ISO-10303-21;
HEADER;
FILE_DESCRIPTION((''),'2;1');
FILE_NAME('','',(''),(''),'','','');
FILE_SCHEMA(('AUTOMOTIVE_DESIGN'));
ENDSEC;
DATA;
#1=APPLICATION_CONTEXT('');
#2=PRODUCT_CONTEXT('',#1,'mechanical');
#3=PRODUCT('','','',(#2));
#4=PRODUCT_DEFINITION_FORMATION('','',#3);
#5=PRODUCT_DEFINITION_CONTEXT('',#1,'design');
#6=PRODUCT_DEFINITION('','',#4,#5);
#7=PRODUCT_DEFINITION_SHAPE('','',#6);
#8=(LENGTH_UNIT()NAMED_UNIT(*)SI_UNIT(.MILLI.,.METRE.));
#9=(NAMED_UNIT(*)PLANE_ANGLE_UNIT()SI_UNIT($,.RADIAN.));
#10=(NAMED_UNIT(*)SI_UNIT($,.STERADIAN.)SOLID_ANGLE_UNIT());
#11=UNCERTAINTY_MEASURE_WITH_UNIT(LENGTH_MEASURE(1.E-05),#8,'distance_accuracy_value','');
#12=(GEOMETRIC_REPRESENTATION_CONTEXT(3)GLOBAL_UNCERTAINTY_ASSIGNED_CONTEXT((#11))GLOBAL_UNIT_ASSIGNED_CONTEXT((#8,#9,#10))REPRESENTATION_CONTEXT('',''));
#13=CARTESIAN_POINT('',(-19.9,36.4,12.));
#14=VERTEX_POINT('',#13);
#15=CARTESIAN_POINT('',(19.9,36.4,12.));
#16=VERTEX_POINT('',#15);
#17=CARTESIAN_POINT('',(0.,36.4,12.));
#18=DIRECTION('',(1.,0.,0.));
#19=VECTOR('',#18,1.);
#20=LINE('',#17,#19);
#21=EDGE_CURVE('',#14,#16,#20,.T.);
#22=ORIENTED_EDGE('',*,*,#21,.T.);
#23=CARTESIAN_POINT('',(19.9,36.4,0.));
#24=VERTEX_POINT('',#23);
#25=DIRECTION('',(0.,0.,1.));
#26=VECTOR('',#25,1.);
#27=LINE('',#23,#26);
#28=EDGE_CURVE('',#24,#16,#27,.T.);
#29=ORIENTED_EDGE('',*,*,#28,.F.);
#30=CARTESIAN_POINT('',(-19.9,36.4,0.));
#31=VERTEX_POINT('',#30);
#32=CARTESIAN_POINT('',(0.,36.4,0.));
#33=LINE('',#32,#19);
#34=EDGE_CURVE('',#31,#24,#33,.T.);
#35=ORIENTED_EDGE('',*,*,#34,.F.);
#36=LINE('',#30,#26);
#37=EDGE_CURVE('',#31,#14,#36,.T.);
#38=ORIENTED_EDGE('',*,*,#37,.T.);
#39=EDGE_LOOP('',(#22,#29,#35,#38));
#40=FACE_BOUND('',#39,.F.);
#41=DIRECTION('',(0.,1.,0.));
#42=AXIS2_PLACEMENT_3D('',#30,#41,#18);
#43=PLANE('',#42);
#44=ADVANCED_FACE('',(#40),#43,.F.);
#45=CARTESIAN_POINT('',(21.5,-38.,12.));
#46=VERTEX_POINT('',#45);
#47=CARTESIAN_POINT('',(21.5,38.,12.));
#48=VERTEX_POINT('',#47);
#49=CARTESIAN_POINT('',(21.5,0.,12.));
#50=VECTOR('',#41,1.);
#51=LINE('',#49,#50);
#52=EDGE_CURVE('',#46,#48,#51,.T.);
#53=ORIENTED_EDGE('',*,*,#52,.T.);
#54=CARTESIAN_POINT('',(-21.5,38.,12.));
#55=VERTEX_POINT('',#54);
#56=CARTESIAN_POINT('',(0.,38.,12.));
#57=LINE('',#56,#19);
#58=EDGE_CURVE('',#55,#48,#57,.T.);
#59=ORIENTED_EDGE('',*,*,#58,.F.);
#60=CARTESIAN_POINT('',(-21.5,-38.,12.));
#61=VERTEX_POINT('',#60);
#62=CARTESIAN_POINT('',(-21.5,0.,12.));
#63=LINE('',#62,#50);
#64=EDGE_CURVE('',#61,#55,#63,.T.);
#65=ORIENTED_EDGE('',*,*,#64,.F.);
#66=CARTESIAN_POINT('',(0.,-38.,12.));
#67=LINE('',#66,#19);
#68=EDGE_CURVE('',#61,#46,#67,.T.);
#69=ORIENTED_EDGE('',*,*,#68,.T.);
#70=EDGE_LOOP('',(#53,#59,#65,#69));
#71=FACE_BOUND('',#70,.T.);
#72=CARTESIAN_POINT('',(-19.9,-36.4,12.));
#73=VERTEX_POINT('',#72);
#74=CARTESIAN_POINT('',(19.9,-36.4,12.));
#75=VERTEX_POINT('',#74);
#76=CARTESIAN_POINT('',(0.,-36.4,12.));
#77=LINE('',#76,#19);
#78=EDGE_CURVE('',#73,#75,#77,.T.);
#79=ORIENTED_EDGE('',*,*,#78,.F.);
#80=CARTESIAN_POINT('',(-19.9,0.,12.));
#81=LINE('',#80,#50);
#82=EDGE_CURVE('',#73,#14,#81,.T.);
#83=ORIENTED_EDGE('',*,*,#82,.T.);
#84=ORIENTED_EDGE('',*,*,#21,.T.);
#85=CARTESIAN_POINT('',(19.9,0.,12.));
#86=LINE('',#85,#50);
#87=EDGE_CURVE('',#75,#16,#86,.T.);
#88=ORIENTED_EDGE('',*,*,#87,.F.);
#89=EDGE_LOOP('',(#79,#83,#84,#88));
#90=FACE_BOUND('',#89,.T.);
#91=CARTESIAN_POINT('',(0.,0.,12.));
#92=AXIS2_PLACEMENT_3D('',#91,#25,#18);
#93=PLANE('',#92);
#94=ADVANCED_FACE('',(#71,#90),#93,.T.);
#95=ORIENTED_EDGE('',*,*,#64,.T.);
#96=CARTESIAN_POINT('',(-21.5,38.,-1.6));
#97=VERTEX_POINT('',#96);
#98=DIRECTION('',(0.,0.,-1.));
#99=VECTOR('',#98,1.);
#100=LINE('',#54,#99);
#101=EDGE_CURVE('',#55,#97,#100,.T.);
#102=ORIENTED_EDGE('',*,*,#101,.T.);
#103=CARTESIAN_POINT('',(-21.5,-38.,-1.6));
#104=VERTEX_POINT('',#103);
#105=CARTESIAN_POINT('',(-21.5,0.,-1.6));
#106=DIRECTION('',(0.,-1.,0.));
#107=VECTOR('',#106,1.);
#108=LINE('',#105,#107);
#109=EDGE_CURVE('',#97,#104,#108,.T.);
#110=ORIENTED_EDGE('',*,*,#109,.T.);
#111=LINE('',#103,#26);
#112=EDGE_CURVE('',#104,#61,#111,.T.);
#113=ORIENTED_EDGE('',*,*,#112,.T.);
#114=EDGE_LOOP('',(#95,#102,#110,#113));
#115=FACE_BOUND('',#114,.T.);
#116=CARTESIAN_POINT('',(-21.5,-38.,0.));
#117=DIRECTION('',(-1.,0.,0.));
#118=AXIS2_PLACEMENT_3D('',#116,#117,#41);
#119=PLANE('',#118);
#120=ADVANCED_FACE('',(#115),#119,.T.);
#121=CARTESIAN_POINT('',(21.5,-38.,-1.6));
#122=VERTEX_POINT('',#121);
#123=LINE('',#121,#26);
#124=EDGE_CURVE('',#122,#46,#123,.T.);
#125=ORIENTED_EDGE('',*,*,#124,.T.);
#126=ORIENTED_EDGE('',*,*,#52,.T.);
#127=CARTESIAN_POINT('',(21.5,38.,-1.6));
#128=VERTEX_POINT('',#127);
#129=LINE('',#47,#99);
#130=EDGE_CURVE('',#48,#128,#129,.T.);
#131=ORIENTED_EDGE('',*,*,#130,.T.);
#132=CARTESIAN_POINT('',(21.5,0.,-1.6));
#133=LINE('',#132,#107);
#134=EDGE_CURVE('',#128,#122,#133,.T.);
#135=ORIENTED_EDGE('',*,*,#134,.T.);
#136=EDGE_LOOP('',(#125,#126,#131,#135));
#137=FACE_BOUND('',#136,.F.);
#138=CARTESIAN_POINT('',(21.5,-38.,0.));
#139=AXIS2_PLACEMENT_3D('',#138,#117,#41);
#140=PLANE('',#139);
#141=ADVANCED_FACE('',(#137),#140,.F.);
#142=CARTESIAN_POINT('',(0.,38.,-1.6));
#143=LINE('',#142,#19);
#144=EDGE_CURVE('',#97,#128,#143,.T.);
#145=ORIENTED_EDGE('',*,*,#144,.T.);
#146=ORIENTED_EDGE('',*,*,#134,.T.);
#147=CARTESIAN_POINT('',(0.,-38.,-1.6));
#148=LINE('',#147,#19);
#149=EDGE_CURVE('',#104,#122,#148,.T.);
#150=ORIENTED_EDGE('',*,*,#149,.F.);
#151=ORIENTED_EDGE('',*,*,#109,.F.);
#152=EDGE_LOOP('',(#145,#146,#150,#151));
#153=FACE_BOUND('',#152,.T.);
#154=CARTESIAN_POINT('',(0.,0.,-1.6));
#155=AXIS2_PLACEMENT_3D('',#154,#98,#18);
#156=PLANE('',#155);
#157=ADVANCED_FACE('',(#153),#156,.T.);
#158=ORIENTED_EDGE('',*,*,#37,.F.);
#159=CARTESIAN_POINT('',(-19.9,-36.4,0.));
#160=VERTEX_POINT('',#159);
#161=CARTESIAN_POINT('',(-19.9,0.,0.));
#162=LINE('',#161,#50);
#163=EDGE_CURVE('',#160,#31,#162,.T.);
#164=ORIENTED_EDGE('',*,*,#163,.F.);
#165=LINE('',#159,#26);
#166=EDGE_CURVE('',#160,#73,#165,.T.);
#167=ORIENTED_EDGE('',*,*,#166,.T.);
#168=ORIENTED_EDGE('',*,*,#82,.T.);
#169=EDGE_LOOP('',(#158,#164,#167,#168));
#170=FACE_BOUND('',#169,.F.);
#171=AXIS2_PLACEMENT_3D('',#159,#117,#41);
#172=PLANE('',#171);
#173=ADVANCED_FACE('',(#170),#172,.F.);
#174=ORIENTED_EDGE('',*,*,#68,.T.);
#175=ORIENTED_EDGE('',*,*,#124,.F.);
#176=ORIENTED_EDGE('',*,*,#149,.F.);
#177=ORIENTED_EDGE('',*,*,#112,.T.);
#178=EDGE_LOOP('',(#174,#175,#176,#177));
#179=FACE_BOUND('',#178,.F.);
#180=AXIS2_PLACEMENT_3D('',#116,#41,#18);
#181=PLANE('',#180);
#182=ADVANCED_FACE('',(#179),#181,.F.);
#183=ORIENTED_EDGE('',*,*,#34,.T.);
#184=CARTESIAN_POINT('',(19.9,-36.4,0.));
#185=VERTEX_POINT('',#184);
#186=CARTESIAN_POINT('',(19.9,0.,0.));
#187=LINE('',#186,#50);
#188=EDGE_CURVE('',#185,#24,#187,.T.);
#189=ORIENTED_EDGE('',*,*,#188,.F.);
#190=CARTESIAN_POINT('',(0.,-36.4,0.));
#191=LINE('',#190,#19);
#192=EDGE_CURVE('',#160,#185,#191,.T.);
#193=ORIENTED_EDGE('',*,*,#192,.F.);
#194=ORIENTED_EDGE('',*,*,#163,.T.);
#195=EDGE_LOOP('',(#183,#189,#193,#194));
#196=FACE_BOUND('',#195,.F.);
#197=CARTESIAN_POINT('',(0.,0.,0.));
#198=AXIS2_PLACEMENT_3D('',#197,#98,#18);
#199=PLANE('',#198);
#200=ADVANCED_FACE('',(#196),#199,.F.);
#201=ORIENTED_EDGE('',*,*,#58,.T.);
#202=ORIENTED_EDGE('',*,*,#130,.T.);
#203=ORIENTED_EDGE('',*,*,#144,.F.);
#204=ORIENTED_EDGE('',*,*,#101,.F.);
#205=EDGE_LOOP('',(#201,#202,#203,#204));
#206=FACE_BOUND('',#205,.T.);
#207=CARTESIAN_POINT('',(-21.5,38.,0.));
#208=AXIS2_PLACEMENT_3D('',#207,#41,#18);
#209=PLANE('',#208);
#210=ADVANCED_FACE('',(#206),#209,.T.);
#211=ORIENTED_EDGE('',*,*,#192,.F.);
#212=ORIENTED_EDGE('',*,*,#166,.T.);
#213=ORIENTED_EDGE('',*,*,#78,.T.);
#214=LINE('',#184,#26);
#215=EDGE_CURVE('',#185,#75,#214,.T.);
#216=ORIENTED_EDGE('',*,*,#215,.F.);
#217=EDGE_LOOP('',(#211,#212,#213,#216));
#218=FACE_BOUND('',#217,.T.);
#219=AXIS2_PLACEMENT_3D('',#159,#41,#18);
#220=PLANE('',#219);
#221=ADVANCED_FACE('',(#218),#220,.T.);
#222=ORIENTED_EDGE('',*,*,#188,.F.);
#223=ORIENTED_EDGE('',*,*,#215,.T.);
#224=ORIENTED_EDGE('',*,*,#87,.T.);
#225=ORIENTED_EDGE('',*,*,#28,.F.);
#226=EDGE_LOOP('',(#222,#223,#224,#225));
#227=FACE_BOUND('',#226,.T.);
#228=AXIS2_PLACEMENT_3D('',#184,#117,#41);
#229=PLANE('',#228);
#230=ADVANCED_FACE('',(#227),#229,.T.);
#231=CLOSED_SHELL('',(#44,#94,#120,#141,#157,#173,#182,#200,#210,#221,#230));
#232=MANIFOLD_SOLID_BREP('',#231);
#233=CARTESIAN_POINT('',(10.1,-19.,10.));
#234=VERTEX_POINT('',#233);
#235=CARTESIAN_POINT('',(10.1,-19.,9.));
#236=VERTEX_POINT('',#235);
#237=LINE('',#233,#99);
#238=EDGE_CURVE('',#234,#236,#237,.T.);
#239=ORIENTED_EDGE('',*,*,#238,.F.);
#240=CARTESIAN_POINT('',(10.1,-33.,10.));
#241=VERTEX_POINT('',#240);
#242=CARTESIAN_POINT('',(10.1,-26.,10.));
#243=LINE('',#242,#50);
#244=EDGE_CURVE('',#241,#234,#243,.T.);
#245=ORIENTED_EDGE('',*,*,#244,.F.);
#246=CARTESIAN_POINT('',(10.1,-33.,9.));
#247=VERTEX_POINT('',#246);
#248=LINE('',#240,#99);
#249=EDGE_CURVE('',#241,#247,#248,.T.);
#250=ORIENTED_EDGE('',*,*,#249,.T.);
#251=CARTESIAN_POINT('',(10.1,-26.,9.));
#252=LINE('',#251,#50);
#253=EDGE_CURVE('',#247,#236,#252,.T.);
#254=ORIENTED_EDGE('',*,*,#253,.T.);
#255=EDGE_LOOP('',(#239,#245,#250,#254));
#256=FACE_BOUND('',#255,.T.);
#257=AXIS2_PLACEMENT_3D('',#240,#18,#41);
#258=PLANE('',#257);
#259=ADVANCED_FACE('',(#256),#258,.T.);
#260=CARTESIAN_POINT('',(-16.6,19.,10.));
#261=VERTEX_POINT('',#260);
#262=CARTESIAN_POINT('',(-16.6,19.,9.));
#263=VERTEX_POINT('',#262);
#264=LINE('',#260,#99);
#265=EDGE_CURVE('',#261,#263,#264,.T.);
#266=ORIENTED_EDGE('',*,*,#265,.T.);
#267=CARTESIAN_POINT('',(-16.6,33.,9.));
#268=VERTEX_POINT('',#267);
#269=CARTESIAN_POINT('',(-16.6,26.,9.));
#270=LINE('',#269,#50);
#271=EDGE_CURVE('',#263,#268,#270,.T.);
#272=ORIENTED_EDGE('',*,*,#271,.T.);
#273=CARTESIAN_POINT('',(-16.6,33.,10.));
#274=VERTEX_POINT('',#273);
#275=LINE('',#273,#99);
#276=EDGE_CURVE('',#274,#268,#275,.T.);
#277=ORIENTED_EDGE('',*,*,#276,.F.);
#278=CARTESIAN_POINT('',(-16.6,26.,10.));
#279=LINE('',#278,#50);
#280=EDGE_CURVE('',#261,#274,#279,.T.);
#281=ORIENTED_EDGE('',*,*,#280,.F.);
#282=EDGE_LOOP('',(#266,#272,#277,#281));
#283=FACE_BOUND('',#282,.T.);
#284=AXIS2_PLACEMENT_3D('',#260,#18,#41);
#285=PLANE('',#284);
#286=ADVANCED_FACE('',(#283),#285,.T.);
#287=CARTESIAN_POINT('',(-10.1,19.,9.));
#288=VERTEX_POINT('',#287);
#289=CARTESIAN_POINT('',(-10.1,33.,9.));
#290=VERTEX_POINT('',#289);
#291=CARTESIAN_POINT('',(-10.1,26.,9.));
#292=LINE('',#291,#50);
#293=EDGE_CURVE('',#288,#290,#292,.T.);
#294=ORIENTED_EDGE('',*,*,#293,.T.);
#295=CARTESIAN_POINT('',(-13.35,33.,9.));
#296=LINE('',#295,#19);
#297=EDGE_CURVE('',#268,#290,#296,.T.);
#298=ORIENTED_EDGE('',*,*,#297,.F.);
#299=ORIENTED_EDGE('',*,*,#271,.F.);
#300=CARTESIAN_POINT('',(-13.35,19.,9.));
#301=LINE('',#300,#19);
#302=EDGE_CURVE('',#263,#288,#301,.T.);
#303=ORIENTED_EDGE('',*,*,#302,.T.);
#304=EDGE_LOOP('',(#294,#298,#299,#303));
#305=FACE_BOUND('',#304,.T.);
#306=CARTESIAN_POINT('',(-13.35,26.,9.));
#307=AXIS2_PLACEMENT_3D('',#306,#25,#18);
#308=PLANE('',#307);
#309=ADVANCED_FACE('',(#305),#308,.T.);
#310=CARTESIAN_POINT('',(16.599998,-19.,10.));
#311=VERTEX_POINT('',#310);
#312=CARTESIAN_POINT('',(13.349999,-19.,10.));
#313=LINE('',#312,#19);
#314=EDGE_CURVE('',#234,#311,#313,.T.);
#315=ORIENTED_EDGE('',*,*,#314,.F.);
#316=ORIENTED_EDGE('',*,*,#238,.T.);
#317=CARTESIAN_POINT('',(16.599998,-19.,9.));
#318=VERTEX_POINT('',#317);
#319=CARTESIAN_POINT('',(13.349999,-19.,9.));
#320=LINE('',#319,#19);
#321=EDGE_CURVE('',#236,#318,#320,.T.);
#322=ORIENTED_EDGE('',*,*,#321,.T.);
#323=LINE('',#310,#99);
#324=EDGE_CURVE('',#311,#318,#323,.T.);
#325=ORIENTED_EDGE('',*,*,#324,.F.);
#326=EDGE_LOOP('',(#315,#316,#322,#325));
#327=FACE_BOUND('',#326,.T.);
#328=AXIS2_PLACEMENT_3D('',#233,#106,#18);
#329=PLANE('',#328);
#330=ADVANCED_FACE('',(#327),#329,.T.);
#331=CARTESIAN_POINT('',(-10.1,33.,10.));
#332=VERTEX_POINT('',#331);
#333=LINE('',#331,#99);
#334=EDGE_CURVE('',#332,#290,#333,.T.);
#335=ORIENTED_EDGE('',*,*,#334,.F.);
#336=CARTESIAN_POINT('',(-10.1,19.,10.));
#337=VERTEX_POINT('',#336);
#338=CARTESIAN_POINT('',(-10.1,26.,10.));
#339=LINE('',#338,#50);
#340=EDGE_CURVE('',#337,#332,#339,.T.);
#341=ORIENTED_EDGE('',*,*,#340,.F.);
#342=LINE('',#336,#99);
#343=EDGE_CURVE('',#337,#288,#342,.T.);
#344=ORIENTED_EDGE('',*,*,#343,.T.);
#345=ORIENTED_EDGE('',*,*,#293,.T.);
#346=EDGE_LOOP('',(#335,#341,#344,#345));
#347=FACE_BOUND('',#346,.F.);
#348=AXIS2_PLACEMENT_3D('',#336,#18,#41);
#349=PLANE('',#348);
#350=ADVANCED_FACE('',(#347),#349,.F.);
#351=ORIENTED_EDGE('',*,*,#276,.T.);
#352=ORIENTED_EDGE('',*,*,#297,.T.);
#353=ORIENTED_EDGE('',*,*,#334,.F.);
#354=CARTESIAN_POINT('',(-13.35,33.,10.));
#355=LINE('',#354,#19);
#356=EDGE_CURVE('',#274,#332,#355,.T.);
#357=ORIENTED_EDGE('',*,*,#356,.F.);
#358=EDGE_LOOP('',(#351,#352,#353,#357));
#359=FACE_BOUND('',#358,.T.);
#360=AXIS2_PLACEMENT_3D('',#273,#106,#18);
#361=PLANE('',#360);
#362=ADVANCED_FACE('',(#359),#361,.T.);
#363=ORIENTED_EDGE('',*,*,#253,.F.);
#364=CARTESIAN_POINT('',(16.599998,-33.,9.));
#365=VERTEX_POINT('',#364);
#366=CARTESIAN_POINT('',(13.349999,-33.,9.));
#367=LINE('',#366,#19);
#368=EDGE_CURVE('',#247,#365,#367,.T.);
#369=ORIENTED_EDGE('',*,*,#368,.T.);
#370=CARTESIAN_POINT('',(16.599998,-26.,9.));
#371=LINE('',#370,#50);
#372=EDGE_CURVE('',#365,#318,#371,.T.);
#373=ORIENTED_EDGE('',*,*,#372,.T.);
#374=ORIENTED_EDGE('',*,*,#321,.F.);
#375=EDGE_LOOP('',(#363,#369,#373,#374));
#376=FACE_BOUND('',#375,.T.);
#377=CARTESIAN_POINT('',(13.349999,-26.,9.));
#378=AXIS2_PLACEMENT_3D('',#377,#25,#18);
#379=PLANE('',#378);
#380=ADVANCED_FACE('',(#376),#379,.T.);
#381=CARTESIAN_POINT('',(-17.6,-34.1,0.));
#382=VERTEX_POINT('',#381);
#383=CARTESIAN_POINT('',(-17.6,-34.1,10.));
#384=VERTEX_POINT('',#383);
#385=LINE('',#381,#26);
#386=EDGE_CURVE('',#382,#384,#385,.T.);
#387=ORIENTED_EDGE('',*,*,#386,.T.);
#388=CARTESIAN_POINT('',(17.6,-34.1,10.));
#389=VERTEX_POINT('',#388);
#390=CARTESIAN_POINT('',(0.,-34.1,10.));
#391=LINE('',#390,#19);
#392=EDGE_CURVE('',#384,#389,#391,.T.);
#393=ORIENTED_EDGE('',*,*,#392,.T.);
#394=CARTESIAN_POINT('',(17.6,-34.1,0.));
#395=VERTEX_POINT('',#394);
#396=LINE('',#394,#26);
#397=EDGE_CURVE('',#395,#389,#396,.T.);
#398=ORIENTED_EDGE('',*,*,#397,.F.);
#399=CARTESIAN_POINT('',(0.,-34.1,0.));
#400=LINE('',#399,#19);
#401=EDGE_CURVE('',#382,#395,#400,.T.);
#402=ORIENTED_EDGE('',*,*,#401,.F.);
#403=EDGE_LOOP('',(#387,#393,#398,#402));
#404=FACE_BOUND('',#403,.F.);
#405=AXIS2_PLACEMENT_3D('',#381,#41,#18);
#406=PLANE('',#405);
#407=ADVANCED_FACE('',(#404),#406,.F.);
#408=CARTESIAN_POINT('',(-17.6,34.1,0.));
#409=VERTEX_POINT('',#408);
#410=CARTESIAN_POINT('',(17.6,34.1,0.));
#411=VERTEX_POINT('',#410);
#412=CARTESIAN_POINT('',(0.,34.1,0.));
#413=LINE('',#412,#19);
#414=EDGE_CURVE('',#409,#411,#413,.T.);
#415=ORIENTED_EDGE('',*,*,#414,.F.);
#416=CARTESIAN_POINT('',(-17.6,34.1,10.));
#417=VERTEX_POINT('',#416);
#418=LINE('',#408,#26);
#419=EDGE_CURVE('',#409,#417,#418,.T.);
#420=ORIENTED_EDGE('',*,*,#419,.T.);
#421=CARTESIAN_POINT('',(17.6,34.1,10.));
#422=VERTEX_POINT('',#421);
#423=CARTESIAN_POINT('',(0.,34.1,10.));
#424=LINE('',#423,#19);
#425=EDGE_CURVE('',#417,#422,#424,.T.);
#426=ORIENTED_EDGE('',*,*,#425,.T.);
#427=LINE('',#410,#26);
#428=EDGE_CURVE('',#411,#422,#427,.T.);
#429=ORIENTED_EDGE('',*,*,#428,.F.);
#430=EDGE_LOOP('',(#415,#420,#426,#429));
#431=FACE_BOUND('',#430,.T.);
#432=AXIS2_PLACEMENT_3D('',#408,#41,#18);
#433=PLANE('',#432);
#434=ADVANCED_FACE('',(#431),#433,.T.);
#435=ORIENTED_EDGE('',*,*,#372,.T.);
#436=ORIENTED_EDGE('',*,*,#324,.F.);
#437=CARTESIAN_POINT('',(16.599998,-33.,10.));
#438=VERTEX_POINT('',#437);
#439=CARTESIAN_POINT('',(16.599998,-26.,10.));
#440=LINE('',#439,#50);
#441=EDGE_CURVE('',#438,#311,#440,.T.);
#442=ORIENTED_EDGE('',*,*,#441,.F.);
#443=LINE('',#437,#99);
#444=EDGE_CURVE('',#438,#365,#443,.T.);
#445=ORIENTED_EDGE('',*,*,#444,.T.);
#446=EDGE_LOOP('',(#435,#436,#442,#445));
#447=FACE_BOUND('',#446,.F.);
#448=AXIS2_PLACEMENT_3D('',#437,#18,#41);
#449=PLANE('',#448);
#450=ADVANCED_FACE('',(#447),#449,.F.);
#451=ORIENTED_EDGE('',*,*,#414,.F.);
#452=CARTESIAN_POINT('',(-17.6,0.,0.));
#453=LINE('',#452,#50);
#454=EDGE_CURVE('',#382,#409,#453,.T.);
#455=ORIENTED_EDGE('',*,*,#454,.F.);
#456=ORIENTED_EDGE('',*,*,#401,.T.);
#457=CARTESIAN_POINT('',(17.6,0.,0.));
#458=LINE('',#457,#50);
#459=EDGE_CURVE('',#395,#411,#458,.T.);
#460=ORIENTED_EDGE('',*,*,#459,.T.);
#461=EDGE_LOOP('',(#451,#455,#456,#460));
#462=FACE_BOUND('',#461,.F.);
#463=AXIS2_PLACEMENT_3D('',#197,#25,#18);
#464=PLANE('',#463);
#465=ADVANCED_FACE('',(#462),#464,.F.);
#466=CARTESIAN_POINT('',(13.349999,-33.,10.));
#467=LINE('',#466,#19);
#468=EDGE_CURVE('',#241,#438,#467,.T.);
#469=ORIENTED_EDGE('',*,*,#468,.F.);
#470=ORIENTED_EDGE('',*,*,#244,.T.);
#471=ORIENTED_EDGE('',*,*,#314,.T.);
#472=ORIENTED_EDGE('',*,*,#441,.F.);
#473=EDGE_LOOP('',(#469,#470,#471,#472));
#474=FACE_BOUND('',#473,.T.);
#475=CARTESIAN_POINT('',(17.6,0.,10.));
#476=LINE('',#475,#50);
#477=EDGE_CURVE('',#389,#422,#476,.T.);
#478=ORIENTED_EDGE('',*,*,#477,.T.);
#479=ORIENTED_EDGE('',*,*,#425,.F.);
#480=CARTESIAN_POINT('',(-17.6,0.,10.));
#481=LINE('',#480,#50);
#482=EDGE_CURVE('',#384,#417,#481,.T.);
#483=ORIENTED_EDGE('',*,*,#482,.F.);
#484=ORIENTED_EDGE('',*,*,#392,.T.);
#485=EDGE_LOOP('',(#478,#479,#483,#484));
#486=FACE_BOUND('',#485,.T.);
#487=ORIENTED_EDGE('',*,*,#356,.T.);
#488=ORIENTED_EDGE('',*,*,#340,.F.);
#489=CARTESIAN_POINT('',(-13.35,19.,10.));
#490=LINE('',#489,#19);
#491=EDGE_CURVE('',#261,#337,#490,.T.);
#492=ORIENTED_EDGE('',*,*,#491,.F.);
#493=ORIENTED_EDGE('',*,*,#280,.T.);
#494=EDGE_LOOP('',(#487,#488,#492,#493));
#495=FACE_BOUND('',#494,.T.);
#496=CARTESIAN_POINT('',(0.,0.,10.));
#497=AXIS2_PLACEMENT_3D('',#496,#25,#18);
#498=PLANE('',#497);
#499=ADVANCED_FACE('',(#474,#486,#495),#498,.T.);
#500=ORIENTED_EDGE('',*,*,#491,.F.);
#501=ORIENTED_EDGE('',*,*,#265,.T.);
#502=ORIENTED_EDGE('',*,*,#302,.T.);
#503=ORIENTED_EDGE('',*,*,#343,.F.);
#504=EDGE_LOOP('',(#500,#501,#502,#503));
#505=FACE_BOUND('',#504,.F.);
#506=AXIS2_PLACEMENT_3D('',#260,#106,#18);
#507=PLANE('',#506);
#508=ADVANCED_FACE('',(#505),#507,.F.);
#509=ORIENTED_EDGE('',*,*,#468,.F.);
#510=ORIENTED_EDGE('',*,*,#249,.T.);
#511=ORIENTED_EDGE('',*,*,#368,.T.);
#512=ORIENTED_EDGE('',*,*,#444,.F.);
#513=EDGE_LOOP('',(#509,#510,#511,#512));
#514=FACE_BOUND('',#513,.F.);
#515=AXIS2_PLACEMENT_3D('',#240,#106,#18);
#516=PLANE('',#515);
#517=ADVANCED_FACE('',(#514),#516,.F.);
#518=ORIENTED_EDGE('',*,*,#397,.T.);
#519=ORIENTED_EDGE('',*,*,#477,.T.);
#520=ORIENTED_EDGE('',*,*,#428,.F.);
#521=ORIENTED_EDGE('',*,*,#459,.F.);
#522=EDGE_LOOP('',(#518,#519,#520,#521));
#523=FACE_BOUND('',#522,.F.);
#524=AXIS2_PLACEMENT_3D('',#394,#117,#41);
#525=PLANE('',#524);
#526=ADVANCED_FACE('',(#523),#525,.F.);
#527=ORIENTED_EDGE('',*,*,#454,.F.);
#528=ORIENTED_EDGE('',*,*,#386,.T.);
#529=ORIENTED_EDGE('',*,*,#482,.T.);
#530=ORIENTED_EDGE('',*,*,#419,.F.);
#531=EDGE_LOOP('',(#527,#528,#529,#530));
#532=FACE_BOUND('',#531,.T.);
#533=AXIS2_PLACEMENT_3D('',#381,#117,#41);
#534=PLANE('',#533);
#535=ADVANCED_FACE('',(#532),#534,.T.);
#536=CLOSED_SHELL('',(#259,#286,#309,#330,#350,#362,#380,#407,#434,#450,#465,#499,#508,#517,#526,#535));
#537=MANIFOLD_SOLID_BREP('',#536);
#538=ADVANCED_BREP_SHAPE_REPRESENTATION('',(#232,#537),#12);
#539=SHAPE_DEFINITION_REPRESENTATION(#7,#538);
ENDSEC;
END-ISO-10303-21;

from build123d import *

# Parameters (mm, degrees)
F0_W     = 35.2
F0_H     = 68.2
F1_DEPTH = 10
F2_W     = 6.5
F2_H     = 14
F2_W_2   = 6.4999983017
F3_DEPTH = 1
F4_W     = 43
F4_H     = 76
F5_DEPTH = 1.6
F6_W     = 43
F6_H     = 76
F6_W_2   = 39.8
F6_H_2   = 72.8
F7_DEPTH = 12


with BuildPart() as f1:
    # F0 (on Top) → F1 (new body)
    with BuildSketch(Plane.XY):
        Rectangle(F0_W, F0_H)
    extrude(amount=F1_DEPTH)

    # F2 (on face) → F3 (cut)
    with BuildSketch(Plane.XY.offset(10)):
        with Locations((-13.35, 26)):
            Rectangle(F2_W, F2_H)
        with Locations((13.3499991509, -26)):
            Rectangle(F2_W_2, F2_H)
    extrude(amount=-F3_DEPTH, mode=Mode.SUBTRACT)


with BuildPart() as f5:
    # F4 (on face) → F5 (new body)
    with BuildSketch(Plane(origin=(0, 0, 0), x_dir=(1, 0, 0), z_dir=(0, 0, -1))):
        Rectangle(F4_W, F4_H)
    extrude(amount=F5_DEPTH)

    # F6 (on face) → F7 (join)
    with BuildSketch(Plane.XY):
        Rectangle(F6_W, F6_H)
        Rectangle(F6_W_2, F6_H_2, mode=Mode.SUBTRACT)
    extrude(amount=F7_DEPTH)


solid = Compound([f1.part, f5.part])
